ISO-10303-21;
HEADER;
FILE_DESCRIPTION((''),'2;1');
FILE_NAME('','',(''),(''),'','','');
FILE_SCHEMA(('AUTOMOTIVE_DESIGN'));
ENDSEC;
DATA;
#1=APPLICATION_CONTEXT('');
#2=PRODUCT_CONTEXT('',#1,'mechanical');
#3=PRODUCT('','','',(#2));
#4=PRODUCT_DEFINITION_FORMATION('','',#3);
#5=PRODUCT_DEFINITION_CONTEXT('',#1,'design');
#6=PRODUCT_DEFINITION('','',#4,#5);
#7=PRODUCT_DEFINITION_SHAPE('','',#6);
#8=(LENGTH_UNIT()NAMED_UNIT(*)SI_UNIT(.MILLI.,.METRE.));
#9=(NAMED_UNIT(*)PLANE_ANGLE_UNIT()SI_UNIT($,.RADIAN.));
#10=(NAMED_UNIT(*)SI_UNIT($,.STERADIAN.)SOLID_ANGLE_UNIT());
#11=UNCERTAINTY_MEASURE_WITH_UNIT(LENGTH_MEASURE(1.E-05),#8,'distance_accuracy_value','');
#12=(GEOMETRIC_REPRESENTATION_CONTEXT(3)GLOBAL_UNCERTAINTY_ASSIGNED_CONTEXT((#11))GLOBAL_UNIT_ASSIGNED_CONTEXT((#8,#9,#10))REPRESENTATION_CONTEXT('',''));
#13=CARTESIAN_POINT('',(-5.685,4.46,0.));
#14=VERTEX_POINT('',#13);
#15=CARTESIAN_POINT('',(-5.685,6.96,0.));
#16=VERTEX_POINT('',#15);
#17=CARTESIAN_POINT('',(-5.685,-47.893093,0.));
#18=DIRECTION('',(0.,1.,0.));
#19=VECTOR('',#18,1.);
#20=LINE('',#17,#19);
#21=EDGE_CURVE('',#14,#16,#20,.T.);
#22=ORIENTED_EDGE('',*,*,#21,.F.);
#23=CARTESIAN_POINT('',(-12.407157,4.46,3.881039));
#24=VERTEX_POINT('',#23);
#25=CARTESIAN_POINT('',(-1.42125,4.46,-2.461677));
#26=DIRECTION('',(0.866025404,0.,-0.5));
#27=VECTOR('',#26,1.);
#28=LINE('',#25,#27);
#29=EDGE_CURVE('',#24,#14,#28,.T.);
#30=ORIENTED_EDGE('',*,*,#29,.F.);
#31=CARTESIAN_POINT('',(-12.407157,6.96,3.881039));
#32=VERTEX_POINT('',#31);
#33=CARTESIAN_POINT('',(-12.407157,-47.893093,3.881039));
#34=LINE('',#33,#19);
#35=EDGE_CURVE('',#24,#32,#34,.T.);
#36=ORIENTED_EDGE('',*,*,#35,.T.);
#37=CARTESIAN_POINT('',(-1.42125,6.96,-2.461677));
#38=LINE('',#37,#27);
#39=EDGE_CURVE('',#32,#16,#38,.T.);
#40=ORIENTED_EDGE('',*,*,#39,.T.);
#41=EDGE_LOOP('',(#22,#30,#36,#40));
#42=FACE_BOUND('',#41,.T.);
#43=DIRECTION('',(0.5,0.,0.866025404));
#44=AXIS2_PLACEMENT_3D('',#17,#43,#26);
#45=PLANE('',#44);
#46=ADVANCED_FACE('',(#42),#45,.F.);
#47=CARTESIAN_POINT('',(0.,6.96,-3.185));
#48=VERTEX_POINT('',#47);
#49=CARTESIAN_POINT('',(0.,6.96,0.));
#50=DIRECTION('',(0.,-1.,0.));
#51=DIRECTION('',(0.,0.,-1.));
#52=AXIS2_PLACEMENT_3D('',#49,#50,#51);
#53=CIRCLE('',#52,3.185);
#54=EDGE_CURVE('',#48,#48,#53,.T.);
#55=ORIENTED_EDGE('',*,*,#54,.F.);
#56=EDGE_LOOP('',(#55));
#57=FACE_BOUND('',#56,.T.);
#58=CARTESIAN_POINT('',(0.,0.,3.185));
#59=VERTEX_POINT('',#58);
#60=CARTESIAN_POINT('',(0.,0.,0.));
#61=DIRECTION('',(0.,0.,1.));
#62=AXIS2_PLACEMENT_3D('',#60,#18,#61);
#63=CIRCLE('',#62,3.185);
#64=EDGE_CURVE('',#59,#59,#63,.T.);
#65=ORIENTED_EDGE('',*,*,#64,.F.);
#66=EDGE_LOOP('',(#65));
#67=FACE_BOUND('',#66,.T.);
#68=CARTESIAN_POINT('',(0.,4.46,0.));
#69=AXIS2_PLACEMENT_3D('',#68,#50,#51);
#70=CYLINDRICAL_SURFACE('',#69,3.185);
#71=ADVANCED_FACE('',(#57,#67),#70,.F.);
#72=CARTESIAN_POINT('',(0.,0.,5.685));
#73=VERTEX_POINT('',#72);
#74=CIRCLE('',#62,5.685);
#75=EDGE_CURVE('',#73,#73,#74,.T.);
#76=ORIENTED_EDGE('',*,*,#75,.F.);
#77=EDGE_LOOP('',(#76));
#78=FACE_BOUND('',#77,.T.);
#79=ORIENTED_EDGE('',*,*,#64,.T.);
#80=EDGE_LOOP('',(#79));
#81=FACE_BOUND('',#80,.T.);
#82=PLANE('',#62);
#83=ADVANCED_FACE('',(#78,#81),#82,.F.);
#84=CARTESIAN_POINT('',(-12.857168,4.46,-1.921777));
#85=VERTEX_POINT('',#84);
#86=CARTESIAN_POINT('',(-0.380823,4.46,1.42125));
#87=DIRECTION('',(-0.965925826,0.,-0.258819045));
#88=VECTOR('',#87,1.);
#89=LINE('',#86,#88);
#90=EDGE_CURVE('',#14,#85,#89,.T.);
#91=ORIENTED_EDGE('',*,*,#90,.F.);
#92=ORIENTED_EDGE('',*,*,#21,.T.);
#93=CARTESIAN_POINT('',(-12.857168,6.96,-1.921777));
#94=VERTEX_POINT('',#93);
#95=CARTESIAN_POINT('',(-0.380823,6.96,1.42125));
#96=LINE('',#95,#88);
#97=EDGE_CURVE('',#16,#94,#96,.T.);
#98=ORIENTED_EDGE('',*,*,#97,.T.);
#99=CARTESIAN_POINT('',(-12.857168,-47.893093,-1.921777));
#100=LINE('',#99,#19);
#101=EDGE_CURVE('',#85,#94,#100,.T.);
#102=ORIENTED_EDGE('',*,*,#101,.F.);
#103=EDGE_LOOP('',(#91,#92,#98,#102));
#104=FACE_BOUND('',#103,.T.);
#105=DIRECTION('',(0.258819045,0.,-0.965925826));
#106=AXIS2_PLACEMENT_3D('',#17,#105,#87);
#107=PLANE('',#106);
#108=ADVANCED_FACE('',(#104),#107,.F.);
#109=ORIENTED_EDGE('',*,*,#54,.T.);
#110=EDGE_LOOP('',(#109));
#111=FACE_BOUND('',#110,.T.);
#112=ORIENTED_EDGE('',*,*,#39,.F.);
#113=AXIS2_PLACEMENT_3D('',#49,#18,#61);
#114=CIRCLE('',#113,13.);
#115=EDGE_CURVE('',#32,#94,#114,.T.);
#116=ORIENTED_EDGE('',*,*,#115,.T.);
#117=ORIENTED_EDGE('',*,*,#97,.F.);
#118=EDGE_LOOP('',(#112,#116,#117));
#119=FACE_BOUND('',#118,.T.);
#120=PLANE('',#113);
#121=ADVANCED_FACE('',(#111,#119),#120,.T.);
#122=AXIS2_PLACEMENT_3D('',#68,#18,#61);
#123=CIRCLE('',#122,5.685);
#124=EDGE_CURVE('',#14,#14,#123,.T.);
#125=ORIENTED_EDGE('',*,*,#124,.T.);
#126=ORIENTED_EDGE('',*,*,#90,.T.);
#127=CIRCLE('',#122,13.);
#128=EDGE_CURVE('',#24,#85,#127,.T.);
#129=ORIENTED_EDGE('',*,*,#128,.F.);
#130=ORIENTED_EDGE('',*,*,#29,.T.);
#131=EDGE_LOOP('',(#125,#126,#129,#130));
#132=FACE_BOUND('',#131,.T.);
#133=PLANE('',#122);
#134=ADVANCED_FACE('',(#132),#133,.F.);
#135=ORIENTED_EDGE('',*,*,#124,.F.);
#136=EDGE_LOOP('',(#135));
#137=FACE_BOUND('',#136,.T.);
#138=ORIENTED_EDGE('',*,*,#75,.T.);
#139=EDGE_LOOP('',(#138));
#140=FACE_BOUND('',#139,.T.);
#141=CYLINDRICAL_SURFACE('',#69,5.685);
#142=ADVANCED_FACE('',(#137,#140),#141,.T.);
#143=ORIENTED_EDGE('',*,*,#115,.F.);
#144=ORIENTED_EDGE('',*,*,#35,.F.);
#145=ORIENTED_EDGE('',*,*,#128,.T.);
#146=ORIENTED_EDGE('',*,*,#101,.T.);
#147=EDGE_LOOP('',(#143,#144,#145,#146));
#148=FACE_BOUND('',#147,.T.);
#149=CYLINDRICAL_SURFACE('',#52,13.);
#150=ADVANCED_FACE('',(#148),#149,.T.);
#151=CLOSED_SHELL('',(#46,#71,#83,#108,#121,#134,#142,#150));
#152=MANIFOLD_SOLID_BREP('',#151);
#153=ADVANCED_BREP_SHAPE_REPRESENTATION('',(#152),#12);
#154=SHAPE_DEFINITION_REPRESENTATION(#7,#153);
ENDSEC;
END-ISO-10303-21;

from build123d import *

# Parameters (mm, degrees)
SKETCH1_R               = 5.685
SKETCH1_R_2             = 3.185
BOSS_EXTRUDE1_DEPTH     = 4.46
SKETCH2_R               = 13
BOSS_EXTRUDE2_DEPTH     = 2.5
SKETCH3_R               = 3.185
CUT_EXTRUDE1_DEPTH      = 2.5
CUT_EXTRUDE3_DEPTH      = 19.918023153
CUT_EXTRUDE3_DEPTH_BACK = 19.918023153


with BuildPart() as part:
    # Sketch1 → Boss-Extrude1 (new body)
    with BuildSketch(Plane(origin=(0, 0, 0), x_dir=(1, 0, 0), z_dir=(0, 1, 0))):
        with Locations(Location((0, 0, 0), (0, 0, 270))):
            Circle(SKETCH1_R)
        with Locations(Location((0, 0, 0), (0, 0, 270))):
            Circle(SKETCH1_R_2, mode=Mode.SUBTRACT)
    extrude(amount=BOSS_EXTRUDE1_DEPTH)

    # Sketch2 → Boss-Extrude2 (add)
    with BuildSketch(Plane(origin=(0, 4.46, 0), x_dir=(1, 0, 0), z_dir=(0, 1, 0))):
        with Locations(Location((0, 0, 0), (0, 0, 270))):
            Circle(SKETCH2_R)
    extrude(amount=BOSS_EXTRUDE2_DEPTH)

    # Sketch3 → Cut-Extrude1 (cut)
    with BuildSketch(Plane.XZ.offset(-4.46)):
        with Locations(Location((0, 0, 0), (0, 0, 270))):
            Circle(SKETCH3_R)
    extrude(amount=-CUT_EXTRUDE1_DEPTH, mode=Mode.SUBTRACT)

    # Sketch4 → Cut-Extrude3 (cut, two sides: drawn at the far end of the back side and taken through both)
    with BuildSketch(Plane.XZ.offset(-4.46).offset(-CUT_EXTRUDE3_DEPTH_BACK)):
        Polygon((-81.445599846, -20.299991547), (-12.85716821, -1.92177668), (-5.685, 0), (-12.407156668, 3.881038962), (-73.901862147, 39.385023724), (-214.796857137, 57.193092978), (-222.340594836, -2.491922293), align=None)
    extrude(amount=CUT_EXTRUDE3_DEPTH + CUT_EXTRUDE3_DEPTH_BACK, mode=Mode.SUBTRACT)


solid = part.part
